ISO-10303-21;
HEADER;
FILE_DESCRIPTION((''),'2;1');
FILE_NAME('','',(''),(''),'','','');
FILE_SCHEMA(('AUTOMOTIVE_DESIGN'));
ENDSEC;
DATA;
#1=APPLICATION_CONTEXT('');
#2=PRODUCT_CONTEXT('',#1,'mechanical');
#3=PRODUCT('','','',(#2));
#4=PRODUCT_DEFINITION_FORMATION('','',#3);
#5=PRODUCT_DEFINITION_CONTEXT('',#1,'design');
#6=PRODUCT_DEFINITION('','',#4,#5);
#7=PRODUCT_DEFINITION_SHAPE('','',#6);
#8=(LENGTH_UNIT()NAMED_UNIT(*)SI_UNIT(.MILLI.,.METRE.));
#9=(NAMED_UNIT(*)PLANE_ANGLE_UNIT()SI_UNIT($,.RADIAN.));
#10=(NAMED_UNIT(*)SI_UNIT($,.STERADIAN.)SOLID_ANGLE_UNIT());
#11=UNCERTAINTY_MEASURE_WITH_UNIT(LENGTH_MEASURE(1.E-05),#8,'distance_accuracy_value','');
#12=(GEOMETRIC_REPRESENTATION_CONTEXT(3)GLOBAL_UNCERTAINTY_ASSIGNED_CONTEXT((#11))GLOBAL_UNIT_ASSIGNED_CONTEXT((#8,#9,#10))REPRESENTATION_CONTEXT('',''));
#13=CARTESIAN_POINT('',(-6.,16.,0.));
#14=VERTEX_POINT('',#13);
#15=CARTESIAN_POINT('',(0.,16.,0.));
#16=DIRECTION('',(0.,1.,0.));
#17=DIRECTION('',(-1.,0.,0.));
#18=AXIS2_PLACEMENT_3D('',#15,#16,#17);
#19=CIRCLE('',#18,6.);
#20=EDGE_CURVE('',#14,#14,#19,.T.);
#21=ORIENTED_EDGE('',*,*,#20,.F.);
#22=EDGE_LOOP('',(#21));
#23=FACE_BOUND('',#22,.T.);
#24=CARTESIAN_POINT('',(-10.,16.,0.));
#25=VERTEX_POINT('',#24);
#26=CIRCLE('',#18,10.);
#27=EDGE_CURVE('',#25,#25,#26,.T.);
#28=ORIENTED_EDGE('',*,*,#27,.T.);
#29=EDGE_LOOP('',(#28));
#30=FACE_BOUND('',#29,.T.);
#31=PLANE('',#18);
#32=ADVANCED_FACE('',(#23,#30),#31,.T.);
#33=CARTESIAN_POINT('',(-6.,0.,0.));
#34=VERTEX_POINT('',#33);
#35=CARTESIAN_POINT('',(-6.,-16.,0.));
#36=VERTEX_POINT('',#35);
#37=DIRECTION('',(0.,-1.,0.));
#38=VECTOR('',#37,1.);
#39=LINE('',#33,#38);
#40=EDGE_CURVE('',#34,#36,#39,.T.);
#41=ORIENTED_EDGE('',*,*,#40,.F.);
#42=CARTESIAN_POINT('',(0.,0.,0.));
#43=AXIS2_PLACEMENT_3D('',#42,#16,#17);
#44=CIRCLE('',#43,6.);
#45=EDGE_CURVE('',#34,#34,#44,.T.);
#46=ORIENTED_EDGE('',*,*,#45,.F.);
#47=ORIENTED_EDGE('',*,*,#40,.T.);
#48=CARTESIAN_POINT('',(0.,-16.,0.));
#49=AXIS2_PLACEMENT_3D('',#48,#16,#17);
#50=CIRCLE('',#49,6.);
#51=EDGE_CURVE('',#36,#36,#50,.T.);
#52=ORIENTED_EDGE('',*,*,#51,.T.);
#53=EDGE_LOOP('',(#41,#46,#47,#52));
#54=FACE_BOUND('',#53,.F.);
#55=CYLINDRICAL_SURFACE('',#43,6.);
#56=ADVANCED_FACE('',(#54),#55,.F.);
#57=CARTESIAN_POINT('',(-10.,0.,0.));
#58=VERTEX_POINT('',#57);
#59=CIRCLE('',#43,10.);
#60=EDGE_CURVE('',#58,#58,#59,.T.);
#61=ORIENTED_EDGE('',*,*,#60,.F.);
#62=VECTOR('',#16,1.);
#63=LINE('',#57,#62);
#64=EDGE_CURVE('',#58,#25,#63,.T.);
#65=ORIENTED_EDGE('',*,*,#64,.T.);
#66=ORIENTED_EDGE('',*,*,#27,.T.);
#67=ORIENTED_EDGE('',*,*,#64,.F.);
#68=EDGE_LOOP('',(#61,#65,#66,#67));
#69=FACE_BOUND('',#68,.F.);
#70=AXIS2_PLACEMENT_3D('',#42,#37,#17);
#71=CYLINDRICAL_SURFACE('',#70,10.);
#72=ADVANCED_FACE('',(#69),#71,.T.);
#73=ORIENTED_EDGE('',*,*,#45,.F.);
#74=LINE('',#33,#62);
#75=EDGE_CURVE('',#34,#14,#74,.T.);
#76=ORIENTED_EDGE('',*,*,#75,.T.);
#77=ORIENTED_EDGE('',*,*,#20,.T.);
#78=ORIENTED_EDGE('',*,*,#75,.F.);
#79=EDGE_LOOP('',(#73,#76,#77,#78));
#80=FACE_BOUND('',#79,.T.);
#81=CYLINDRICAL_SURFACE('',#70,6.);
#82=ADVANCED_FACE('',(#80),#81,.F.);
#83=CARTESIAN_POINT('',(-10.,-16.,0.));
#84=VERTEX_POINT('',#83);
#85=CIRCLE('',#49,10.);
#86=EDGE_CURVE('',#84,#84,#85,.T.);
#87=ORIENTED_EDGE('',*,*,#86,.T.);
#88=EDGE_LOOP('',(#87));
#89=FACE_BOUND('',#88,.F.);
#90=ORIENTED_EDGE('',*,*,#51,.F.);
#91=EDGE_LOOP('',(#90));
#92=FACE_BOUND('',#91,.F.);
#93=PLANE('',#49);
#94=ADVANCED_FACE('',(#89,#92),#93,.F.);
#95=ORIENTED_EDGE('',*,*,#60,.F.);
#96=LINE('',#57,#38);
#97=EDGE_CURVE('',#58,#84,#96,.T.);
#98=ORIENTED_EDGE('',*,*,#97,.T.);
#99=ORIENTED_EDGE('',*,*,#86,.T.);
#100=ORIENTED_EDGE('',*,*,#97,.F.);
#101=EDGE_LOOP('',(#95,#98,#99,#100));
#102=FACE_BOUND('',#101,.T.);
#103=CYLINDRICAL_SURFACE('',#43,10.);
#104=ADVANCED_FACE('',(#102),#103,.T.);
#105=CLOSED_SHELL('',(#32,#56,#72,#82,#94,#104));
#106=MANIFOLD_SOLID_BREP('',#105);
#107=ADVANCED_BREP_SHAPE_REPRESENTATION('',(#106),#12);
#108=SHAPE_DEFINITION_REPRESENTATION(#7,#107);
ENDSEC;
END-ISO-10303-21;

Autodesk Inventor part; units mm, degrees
ref_plane "YZ Plane" through (0, 0, 0) normal (1, 0, 0) x (0, 1, 0)
ref_plane "XZ Plane" through (0, 0, 0) normal (0, 1, 0) x (-1, 0, 0)
ref_plane "XY Plane" through (0, 0, 0) normal (0, 0, 1) x (1, 0, 0)
sketch "Sketch1" plane through (0, 0, 0) normal (0, 1, 0) x (-1, 0, 0)
  circle A0 centre (0, 0) radius 10
  circle A1 centre (0, 0) radius 6
  dimension "d0" = 20
  dimension "d1" = 12
extrude "Extrusion1" add sketch "Sketch1" along normal mid plane 32
properties part number "bearing"
